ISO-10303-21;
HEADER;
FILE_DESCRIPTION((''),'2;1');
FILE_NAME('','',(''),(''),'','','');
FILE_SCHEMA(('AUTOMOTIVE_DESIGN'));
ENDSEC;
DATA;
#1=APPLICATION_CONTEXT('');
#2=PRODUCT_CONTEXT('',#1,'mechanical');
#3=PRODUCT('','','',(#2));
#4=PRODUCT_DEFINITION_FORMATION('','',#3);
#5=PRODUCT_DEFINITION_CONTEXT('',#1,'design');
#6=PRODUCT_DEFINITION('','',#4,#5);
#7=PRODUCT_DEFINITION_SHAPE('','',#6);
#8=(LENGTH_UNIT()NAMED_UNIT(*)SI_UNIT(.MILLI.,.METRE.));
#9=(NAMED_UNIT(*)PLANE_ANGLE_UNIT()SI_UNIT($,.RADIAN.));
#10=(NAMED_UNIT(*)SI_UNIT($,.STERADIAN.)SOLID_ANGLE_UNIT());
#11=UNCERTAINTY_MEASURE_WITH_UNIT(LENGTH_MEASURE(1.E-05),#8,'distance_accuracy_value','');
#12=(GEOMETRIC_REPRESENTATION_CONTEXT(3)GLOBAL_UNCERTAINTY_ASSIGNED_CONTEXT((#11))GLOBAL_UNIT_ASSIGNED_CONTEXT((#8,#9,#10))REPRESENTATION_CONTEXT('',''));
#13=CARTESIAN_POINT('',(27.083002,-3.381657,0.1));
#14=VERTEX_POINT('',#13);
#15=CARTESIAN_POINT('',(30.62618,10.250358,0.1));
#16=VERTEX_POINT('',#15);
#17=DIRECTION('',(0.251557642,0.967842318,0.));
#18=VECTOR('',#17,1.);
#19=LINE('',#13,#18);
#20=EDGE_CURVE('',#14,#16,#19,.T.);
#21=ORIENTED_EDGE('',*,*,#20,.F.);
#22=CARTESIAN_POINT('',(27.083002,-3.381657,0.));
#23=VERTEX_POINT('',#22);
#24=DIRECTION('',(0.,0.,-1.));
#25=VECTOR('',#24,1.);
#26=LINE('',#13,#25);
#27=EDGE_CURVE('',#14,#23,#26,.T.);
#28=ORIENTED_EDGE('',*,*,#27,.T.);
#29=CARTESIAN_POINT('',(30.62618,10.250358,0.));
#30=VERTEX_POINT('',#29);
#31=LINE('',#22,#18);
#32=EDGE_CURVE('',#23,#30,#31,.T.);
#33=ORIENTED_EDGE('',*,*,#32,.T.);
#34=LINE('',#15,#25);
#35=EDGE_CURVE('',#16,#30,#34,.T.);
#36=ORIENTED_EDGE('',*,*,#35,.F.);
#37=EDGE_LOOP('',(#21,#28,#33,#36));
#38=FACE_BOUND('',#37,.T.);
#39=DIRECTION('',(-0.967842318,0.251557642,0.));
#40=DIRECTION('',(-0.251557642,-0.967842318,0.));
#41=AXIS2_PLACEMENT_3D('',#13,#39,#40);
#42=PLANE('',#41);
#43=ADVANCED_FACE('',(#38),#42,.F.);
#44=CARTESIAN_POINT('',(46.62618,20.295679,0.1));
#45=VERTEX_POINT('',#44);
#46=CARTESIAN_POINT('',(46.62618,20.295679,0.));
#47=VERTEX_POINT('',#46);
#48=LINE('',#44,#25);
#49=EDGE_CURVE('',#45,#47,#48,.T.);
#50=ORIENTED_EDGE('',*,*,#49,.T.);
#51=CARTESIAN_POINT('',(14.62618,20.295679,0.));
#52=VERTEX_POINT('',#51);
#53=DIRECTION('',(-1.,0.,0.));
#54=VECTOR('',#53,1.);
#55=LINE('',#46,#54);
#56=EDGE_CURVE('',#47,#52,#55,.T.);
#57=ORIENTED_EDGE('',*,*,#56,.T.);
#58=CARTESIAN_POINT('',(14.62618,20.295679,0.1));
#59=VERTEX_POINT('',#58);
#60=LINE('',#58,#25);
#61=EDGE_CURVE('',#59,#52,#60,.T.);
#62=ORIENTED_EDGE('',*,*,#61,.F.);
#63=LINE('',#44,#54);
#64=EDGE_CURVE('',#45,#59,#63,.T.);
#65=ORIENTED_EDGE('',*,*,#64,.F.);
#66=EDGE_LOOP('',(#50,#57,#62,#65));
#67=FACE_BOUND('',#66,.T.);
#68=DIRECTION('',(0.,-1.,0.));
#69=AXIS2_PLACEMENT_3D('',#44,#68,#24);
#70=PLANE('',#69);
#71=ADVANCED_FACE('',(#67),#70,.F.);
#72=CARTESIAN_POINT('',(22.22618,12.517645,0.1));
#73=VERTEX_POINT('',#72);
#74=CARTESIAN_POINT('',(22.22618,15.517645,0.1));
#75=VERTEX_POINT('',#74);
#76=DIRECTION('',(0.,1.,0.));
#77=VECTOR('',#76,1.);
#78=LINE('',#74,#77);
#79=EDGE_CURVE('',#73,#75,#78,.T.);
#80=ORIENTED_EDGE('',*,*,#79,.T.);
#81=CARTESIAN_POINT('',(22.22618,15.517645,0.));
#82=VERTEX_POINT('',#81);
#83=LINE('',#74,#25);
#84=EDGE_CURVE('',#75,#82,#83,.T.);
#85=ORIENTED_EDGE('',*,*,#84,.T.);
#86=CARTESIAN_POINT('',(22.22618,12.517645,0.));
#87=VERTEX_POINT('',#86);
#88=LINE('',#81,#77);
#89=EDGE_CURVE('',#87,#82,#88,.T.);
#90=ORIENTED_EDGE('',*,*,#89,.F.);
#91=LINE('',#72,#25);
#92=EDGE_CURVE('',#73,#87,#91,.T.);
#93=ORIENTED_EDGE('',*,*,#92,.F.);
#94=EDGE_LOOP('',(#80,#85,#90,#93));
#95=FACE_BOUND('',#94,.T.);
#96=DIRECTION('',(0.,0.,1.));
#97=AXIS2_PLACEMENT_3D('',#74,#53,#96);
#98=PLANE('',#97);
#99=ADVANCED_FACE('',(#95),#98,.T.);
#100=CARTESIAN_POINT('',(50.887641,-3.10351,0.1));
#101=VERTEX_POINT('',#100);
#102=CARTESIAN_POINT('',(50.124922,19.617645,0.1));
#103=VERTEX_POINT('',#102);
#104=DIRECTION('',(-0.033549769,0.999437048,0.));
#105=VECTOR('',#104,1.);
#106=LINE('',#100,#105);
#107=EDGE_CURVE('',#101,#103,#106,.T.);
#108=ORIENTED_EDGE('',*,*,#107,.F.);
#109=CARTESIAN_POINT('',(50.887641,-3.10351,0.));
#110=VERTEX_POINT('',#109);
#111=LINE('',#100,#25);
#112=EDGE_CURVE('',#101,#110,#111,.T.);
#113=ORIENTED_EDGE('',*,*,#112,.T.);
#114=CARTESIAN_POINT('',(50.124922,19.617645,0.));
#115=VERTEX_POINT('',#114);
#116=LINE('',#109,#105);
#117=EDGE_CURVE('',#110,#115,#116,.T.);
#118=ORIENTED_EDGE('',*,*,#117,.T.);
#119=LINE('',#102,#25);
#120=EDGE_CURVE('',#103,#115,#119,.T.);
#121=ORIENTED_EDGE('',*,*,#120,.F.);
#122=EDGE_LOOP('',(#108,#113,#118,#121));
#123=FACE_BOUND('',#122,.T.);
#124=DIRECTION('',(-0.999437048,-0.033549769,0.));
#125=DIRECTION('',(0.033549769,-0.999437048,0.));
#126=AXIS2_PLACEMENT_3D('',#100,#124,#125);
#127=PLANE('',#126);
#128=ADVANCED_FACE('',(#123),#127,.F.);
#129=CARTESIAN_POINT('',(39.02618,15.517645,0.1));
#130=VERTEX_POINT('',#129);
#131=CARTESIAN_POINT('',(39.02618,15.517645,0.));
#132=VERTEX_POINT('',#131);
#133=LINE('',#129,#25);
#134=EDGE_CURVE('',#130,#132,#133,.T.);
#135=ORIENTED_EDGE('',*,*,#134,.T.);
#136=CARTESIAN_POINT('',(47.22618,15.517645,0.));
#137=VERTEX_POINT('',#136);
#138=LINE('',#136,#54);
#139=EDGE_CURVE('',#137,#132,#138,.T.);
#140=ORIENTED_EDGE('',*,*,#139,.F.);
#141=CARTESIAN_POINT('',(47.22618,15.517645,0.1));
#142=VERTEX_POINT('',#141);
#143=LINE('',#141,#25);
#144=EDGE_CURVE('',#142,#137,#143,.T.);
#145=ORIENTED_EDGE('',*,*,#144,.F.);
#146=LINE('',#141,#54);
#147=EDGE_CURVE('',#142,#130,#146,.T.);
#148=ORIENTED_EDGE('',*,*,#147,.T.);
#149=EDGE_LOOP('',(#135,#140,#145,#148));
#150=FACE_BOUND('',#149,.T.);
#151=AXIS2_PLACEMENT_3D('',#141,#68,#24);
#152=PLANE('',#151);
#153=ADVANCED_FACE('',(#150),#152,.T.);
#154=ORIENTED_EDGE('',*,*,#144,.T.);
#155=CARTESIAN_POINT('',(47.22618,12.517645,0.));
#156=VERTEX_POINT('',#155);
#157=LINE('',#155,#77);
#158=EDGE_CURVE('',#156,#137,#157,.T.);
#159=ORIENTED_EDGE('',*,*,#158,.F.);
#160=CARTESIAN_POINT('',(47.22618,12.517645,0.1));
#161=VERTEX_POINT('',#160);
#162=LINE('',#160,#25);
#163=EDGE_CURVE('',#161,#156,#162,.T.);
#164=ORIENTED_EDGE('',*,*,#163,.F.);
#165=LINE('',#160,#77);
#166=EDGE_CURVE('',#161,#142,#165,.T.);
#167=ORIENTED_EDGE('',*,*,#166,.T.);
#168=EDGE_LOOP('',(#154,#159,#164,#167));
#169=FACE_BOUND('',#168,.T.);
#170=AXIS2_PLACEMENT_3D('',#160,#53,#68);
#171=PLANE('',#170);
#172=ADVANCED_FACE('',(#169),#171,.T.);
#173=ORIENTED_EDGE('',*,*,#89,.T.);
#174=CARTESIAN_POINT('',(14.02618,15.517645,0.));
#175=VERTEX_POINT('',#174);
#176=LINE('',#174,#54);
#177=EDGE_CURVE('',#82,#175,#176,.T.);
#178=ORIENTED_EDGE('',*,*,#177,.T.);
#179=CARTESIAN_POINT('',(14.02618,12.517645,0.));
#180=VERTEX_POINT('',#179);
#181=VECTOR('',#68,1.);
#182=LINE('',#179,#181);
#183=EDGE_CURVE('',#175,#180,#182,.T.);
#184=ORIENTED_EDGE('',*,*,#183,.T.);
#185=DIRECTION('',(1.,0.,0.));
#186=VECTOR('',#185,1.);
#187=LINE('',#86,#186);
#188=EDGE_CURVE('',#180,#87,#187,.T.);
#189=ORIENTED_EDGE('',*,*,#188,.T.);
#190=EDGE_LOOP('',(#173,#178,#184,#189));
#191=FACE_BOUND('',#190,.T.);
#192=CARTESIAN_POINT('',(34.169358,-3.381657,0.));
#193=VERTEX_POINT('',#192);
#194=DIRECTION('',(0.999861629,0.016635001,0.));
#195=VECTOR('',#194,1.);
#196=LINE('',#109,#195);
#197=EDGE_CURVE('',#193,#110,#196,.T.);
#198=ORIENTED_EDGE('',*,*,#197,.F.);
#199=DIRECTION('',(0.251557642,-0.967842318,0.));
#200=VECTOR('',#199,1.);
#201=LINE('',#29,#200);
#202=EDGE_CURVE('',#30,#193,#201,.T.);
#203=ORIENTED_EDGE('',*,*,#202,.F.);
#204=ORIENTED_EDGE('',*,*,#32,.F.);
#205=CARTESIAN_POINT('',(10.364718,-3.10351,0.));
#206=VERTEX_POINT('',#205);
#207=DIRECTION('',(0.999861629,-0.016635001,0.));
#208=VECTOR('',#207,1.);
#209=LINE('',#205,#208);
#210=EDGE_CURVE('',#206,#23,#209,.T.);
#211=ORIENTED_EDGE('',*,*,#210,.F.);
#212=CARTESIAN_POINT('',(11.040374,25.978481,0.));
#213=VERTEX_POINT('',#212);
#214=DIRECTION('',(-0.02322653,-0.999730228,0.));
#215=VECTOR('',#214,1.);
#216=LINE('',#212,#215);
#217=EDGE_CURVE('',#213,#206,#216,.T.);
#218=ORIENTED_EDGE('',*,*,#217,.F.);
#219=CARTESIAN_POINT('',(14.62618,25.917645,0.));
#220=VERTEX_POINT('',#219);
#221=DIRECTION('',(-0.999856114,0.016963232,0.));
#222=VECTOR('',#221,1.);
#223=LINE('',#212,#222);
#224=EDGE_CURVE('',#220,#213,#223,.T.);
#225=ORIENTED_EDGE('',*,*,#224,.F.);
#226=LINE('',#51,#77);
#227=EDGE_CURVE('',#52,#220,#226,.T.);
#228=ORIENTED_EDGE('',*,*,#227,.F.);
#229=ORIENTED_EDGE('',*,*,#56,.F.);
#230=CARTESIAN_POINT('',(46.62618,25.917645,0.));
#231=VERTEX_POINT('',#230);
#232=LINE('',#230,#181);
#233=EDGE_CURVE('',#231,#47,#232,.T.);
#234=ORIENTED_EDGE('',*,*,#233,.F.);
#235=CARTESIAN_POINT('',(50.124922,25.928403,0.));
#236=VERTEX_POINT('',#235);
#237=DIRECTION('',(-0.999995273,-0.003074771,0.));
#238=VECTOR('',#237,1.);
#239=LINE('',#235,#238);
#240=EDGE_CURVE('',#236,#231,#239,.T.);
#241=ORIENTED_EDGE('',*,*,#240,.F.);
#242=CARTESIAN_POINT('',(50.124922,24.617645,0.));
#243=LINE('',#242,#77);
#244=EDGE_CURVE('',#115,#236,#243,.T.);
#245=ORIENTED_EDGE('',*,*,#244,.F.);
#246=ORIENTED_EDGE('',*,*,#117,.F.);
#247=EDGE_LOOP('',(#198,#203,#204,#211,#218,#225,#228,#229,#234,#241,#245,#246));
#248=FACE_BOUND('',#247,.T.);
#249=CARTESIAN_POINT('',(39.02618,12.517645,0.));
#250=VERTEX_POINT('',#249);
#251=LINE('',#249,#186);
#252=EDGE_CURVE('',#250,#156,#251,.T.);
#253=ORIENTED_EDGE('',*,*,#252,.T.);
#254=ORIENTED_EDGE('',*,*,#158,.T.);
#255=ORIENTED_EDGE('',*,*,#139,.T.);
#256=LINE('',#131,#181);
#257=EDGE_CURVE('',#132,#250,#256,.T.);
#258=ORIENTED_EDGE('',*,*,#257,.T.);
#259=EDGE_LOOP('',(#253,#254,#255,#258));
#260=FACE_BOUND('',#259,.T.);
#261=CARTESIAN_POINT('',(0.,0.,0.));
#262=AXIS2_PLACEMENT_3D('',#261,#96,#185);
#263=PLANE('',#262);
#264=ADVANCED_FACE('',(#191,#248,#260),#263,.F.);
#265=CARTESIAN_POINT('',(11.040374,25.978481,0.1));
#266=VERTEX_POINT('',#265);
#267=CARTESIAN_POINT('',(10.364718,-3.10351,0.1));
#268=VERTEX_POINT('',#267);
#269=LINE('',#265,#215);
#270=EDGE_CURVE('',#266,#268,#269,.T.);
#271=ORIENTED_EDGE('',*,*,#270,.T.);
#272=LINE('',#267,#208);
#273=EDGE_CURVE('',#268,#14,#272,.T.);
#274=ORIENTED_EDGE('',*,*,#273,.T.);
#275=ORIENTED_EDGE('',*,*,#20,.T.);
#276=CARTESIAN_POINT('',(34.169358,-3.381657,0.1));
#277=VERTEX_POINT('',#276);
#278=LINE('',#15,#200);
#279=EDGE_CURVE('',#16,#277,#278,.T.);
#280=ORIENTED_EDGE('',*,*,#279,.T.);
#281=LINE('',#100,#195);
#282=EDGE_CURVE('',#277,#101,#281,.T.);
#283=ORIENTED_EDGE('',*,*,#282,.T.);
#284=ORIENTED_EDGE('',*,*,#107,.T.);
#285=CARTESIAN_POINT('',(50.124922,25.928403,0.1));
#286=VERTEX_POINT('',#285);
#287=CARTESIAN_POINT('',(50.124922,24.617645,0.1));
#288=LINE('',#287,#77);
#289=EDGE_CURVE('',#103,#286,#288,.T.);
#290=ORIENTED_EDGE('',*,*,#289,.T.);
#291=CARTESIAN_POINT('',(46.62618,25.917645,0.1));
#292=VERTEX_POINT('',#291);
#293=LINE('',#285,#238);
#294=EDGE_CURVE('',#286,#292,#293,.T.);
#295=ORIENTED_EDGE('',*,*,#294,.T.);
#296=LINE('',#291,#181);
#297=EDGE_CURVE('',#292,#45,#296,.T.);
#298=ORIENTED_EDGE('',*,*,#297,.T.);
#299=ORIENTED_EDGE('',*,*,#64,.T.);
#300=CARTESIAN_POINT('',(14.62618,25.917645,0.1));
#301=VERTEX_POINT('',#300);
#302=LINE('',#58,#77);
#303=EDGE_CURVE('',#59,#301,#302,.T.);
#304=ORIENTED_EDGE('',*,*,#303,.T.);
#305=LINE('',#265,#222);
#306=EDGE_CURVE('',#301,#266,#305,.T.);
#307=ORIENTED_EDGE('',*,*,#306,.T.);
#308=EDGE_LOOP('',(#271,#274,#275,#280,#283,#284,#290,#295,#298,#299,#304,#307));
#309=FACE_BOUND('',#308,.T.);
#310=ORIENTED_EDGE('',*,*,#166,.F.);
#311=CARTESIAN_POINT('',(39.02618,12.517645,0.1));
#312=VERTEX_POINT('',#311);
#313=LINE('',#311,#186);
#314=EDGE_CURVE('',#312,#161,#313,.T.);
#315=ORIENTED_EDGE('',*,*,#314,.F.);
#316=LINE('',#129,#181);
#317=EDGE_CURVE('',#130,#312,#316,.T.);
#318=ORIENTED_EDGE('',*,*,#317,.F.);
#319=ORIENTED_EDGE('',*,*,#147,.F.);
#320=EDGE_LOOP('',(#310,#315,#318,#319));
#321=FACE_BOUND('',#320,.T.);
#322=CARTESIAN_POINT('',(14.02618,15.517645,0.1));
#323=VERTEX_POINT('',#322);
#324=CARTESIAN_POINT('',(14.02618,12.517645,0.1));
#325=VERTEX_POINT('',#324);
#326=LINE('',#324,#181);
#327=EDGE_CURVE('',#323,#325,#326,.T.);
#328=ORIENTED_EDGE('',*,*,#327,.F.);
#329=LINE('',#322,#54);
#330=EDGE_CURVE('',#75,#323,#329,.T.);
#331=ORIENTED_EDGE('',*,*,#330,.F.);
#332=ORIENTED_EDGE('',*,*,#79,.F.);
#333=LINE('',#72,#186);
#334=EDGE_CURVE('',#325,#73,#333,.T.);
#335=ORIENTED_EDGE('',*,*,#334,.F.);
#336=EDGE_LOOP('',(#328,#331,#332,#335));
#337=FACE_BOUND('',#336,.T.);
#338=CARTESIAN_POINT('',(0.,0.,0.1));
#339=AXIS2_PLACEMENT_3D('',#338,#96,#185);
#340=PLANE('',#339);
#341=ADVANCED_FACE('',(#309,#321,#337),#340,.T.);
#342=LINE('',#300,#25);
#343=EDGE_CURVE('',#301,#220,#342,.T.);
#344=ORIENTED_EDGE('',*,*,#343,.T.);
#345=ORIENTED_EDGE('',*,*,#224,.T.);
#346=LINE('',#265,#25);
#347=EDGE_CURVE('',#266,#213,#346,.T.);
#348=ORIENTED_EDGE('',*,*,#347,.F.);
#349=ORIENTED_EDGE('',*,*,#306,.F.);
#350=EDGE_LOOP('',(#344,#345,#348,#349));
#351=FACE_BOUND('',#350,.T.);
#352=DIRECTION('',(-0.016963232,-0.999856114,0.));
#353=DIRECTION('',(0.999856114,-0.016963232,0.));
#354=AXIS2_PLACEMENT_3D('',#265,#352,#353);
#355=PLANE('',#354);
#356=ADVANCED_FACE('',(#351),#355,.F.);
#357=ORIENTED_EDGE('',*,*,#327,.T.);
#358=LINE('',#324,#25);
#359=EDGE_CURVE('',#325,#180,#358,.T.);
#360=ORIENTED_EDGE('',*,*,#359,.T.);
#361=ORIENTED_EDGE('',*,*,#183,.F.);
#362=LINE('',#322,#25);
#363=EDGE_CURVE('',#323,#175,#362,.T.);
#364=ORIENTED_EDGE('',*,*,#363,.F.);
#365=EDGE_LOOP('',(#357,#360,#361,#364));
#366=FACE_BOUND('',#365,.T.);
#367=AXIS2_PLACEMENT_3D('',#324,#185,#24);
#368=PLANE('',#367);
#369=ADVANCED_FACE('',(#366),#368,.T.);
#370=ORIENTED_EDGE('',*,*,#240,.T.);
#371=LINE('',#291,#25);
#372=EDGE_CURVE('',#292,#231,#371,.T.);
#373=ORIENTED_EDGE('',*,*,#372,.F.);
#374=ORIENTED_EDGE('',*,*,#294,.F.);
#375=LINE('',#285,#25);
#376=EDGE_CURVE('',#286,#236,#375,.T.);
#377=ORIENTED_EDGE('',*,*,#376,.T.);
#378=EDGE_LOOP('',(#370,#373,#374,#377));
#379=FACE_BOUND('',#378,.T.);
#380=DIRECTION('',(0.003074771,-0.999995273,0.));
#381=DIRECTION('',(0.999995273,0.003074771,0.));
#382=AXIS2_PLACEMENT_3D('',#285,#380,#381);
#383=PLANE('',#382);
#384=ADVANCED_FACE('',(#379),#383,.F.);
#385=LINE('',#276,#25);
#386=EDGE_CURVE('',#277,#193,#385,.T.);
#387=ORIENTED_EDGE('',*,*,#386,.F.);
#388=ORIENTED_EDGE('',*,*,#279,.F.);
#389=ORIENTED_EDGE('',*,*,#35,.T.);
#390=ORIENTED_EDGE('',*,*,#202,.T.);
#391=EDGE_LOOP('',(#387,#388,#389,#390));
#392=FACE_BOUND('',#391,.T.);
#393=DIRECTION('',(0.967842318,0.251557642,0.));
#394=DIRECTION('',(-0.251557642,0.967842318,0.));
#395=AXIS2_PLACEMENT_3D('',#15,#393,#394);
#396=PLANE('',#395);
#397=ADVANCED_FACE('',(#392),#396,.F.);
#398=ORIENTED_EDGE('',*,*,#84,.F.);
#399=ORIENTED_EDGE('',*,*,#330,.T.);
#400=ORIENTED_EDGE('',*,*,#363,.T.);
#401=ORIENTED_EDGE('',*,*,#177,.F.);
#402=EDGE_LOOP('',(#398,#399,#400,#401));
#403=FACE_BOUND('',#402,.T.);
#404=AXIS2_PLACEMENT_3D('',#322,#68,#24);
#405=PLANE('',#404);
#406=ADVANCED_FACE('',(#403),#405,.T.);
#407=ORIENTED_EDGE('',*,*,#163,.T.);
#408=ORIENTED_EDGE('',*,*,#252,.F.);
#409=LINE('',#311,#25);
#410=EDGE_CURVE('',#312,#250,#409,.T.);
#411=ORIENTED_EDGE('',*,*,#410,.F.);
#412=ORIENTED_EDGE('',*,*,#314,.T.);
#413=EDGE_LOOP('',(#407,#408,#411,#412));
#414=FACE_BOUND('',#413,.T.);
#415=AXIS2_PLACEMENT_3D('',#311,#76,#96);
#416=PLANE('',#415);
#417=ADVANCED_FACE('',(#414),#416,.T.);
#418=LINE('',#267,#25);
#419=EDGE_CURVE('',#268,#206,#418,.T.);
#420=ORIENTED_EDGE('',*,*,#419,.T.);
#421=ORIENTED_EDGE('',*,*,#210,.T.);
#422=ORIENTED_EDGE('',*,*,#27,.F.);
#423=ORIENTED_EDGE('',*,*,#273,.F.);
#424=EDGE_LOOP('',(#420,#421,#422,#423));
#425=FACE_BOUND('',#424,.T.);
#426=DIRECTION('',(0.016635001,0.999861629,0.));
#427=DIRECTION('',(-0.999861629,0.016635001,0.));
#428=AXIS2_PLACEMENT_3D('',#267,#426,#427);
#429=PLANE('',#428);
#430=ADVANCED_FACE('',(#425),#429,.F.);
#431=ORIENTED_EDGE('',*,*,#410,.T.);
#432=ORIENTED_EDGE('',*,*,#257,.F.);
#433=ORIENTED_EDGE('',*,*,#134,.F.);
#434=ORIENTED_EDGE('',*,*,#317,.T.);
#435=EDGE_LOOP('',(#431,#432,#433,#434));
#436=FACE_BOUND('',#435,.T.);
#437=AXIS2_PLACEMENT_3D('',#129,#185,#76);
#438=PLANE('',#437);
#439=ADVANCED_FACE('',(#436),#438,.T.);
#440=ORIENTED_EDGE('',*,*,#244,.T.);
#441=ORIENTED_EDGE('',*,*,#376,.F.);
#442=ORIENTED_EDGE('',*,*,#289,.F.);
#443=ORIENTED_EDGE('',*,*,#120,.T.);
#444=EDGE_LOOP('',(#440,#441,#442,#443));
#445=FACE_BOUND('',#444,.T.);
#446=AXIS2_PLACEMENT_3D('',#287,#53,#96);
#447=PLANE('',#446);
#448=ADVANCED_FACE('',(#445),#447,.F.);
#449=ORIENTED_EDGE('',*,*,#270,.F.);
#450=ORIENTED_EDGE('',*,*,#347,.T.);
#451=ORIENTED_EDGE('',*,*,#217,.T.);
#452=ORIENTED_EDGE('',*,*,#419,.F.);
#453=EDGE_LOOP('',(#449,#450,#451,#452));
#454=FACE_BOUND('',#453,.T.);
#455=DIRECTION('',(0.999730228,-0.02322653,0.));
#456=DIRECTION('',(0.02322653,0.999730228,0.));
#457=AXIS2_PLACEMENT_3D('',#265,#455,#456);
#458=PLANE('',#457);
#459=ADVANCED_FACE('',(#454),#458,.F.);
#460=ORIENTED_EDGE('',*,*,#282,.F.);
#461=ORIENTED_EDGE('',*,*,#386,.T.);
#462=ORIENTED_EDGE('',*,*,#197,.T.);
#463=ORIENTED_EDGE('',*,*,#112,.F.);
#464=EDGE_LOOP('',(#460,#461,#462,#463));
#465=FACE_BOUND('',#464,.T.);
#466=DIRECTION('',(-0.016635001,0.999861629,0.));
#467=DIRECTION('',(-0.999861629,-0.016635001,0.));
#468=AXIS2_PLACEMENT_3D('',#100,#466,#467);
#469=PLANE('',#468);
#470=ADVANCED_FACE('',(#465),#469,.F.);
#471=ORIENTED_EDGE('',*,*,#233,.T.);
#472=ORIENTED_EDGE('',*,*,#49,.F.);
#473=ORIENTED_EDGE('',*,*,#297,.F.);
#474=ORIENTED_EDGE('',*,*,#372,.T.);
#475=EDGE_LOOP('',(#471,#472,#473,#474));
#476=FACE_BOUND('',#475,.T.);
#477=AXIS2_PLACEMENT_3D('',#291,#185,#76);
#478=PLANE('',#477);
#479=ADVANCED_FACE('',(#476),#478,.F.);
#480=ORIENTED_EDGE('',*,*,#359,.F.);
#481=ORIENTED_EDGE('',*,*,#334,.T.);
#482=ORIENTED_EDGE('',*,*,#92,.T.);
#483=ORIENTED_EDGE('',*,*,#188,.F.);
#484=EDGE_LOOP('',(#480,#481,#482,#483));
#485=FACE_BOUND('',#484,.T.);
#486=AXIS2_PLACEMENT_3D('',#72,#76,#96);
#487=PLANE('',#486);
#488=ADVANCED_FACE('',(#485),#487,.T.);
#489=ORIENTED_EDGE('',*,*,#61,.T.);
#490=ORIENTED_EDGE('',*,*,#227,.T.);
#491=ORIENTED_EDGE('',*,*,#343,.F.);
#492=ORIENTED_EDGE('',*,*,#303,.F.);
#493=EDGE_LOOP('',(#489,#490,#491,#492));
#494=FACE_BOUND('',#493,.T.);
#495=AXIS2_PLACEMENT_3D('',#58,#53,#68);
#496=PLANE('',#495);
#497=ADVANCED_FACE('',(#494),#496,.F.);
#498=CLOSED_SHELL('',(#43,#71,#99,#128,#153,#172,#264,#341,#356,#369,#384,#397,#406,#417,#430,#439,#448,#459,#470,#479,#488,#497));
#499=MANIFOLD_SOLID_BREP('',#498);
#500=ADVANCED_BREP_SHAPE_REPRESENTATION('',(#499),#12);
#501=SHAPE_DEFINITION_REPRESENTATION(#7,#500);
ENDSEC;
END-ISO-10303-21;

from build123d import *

# Parameters (mm, degrees)
MODEL_W                 = 8.2
MODEL_H                 = 3
SALIENTE_EXTRUIR1_DEPTH = 0.1


with BuildPart() as part:
    # Model → Saliente-Extruir1 (new body)
    with BuildSketch(Plane.XY):
        Polygon((50.124922154, 24.617645317), (50.124922154, 19.617645317), (50.887641035, -3.103510086), (34.169357615, -3.381657238), (30.626179611, 10.250358005), (27.083001606, -3.381657238), (10.364718187, -3.103510086), (11.040374185, 25.978480921), (14.626179611, 25.917645317), (14.626179611, 20.295679334), (46.626179611, 20.295679334), (46.626179611, 25.917645317), (50.124922154, 25.9284032), align=None)
        with Locations((18.126179611, 14.017645317)):
            Rectangle(MODEL_W, MODEL_H, mode=Mode.SUBTRACT)
        with Locations((43.126179611, 14.017645317)):
            Rectangle(MODEL_W, MODEL_H, mode=Mode.SUBTRACT)
    extrude(amount=SALIENTE_EXTRUIR1_DEPTH)


solid = part.part
